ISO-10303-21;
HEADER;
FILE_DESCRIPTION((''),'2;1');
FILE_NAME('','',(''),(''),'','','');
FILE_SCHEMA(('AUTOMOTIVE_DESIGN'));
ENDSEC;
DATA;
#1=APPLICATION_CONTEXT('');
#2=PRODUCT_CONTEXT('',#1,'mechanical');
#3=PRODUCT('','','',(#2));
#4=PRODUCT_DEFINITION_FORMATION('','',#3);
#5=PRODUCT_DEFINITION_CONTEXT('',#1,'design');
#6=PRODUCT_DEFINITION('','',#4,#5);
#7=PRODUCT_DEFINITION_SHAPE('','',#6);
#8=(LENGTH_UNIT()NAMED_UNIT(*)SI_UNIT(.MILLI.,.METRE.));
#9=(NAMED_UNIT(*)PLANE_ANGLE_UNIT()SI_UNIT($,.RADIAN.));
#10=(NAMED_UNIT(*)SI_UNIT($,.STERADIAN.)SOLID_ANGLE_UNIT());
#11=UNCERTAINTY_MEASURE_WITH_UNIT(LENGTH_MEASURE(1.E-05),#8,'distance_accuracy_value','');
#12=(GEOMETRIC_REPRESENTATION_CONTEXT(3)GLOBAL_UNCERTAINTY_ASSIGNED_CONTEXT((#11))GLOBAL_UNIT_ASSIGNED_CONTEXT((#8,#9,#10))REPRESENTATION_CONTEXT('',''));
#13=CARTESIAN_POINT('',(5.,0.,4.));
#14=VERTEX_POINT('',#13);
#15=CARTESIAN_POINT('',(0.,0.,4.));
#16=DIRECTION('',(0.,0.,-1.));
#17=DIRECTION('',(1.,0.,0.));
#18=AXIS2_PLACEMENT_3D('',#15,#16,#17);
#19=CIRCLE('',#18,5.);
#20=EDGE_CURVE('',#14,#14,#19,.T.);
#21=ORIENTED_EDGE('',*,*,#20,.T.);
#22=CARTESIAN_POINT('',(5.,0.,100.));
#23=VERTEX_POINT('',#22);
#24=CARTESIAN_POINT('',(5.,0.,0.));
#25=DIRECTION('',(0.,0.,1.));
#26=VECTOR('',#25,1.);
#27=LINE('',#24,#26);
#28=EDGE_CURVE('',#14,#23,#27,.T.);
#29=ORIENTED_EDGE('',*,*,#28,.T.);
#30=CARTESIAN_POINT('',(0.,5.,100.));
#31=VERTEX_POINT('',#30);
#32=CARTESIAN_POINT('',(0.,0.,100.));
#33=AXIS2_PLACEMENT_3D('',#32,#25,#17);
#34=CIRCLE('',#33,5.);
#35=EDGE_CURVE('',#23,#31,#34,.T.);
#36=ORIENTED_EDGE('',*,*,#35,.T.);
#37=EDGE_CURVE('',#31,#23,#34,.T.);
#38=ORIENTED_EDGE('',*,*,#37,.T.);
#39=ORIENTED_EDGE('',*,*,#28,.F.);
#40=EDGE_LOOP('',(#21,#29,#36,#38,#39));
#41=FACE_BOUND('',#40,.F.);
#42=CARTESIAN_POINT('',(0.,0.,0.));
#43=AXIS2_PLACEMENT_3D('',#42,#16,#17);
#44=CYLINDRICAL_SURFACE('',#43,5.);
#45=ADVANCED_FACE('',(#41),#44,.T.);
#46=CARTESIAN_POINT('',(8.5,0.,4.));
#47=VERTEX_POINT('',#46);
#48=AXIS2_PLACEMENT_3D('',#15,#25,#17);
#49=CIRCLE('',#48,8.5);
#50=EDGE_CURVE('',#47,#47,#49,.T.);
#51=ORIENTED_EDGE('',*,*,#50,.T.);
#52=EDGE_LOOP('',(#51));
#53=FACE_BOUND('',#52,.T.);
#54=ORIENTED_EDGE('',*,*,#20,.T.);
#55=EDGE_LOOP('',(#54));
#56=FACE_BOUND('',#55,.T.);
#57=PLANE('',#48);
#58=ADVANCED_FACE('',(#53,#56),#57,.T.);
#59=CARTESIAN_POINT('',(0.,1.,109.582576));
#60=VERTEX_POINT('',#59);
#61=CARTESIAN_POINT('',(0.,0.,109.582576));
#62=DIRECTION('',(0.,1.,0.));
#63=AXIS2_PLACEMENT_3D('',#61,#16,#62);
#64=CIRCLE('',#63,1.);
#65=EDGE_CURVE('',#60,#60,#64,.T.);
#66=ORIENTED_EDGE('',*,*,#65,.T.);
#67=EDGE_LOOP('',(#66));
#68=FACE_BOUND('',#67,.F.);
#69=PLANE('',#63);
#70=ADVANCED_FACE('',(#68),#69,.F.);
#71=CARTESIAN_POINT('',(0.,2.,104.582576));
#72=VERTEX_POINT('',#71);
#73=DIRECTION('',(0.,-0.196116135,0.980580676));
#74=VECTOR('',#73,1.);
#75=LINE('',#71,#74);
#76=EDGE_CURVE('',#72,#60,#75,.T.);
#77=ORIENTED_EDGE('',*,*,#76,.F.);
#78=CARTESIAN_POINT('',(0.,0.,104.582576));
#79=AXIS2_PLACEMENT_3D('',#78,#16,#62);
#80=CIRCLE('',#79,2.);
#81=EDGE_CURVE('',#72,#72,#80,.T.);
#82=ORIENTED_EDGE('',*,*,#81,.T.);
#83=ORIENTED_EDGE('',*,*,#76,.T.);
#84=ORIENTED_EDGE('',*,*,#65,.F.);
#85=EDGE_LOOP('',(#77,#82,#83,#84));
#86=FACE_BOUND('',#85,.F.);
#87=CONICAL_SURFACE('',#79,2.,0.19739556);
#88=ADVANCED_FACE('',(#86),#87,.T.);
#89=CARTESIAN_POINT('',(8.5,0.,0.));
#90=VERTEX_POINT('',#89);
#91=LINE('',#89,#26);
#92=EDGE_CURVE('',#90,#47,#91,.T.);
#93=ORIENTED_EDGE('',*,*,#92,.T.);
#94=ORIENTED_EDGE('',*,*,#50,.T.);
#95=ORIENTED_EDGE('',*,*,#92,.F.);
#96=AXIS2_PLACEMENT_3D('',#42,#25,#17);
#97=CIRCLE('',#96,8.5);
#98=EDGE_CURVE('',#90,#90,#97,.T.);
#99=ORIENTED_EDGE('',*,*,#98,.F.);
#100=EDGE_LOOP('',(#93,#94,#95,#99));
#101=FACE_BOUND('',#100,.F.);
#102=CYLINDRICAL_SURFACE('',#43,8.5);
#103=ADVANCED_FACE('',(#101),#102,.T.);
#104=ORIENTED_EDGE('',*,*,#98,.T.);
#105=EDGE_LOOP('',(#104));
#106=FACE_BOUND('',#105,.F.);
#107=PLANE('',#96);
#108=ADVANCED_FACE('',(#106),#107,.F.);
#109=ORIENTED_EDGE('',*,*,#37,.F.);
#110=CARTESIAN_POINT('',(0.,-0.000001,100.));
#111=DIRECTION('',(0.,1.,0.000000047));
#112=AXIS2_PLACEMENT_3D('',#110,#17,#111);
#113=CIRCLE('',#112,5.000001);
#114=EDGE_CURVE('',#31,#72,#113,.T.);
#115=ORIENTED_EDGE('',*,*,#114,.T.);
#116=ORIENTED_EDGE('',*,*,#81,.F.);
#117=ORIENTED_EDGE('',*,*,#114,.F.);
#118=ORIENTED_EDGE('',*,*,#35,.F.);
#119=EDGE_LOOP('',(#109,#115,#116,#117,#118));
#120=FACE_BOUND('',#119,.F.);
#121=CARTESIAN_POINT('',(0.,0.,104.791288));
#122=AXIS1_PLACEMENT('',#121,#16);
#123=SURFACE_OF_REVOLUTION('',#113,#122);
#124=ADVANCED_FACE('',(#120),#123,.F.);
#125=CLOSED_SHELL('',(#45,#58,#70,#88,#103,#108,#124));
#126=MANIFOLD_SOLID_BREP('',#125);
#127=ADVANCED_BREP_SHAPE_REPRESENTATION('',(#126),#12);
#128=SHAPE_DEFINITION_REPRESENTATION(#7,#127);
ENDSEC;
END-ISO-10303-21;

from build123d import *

# Parameters (mm, degrees)
F0_R     = 8.5
F1_DEPTH = 4
F2_R     = 5
F3_DEPTH = 100


with BuildPart() as f1:
    # F0 (on Top) → F1 (new body)
    with BuildSketch(Plane.XY):
        Circle(F0_R)
    extrude(amount=F1_DEPTH)

    # F2 (on Top) → F3 (join)
    with BuildSketch(Plane.XY):
        Circle(F2_R)
    extrude(amount=F3_DEPTH)

    # F4 (on Right) → F5 (revolve)
    with BuildSketch(Plane.YZ):
        with BuildLine():
            Line((0, 104.582576), (0, 100))
            Line((0, 100), (5, 100))
            ThreePointArc((5, 100), (4.1833, 102.738613), (2, 104.582576))
            Line((2, 104.582576), (0, 104.582576))
        make_face()
    revolve(axis=Axis((0, 0, 104.791288), (0, 0, -1)))

    # F4 (on Right) → F6 (revolve)
    with BuildSketch(Plane.YZ):
        with BuildLine():
            ThreePointArc((0, 105), (1.021548, 104.894532), (2, 104.582576))
            Line((2, 104.582576), (1, 109.582576))
            Line((1, 109.582576), (0, 109.582576))
            Line((0, 109.582576), (0, 105))
        make_face()
        with BuildLine():
            Line((0, 105), (0, 104.582576))
            Line((0, 104.582576), (2, 104.582576))
            ThreePointArc((2, 104.582576), (1.021548, 104.894532), (0, 105))
        make_face()
    revolve(axis=Axis((0, 0, 104.791288), (0, 0, -1)))


solid = f1.part
